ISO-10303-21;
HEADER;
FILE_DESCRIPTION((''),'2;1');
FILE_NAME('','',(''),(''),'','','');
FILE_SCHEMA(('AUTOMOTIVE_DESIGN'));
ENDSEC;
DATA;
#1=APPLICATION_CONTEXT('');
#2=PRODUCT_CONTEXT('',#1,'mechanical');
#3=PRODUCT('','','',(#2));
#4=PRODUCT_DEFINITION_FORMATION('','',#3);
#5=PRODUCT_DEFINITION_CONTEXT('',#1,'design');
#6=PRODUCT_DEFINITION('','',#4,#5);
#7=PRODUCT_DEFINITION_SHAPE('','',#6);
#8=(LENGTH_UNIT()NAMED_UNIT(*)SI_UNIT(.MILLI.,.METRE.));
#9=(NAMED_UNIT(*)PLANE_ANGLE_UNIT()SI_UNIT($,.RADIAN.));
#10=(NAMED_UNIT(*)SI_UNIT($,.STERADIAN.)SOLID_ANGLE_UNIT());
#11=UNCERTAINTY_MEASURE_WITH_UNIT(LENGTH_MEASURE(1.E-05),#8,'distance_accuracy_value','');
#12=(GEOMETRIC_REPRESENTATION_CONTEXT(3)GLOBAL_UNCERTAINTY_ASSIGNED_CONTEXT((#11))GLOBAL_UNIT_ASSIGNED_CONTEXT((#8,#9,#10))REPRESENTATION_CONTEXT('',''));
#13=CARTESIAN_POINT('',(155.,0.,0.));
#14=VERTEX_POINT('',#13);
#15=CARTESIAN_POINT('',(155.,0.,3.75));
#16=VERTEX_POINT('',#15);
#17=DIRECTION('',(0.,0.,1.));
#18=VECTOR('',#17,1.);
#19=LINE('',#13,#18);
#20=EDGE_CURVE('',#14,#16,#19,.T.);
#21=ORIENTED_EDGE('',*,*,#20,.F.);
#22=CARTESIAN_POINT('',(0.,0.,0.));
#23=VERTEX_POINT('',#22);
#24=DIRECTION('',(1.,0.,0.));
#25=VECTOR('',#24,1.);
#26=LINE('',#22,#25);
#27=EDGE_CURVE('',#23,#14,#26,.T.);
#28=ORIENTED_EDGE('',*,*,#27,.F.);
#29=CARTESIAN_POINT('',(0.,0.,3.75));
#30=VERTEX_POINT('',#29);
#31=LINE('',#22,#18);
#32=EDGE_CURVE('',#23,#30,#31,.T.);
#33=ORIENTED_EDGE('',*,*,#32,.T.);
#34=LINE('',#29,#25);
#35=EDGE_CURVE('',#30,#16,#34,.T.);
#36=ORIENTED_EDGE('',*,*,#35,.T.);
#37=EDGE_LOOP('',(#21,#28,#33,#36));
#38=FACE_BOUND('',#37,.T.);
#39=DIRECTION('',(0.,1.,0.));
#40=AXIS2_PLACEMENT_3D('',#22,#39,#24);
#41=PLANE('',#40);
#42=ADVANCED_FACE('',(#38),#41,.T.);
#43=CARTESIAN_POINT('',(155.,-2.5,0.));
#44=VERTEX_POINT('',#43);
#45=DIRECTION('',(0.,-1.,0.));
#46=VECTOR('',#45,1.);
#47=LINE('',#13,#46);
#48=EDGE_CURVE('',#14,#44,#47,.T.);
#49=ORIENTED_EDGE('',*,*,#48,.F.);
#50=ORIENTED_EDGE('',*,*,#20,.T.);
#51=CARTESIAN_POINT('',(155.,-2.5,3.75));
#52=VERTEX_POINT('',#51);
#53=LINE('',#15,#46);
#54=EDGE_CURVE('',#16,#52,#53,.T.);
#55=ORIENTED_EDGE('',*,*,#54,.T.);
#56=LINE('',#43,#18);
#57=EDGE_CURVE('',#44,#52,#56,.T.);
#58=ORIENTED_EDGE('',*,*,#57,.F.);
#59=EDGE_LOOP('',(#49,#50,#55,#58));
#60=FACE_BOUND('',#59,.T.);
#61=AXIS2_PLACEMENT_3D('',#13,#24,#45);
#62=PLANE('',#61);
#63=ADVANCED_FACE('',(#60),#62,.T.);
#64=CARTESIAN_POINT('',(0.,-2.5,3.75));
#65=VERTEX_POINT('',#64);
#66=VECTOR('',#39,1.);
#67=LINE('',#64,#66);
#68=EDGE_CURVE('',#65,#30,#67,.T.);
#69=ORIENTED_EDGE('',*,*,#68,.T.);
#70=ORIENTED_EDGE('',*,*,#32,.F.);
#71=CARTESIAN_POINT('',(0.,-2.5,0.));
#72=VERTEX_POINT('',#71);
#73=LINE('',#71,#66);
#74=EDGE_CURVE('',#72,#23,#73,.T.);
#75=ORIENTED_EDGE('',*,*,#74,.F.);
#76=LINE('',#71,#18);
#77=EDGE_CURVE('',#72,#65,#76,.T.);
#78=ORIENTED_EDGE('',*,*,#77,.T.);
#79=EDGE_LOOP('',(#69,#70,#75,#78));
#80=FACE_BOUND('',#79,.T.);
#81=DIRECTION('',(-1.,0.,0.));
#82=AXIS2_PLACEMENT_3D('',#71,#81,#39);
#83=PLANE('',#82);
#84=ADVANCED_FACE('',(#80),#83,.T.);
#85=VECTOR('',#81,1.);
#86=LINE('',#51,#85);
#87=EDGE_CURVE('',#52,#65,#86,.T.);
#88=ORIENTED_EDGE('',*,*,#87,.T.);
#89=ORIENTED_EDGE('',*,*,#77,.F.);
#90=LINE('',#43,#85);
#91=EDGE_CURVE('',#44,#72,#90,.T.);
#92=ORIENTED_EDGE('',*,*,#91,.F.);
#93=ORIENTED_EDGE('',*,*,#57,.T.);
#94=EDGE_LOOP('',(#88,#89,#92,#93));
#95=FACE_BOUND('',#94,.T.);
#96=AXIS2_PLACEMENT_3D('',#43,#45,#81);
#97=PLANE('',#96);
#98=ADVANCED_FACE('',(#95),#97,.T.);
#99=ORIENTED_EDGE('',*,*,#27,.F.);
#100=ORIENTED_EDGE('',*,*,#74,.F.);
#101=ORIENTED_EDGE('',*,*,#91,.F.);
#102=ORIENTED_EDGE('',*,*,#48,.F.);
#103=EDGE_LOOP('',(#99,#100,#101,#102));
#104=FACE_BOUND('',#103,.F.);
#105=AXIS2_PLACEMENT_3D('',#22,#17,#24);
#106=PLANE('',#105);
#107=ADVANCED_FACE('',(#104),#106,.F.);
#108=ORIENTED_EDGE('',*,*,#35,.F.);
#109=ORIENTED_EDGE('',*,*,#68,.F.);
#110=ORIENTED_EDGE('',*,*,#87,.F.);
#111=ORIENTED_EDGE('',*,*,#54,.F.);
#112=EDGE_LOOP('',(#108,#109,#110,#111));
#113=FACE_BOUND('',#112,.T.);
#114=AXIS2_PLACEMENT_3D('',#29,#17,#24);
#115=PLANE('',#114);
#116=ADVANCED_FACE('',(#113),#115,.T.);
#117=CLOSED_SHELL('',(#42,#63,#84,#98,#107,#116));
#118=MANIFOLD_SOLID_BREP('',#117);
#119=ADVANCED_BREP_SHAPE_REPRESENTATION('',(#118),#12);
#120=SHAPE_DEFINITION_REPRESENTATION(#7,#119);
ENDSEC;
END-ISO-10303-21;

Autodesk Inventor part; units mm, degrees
ref_plane "YZ Plane" through (0, 0, 0) normal (1, 0, 0) x (0, 1, 0)
ref_plane "XZ Plane" through (0, 0, 0) normal (0, 1, 0) x (-1, 0, 0)
ref_plane "XY Plane" through (0, 0, 0) normal (0, 0, 1) x (1, 0, 0)
sketch "Sketch1" plane through (0, 0, 0) normal (0, 0, 1) x (1, 0, 0)
  line L0 (0, 0) -> (155, 0)
  line L1 (155, 0) -> (155, -2.5)
  line L2 (155, -2.5) -> (0, -2.5)
  line L3 (0, -2.5) -> (0, 0)
  dimension "d0" = 2.5
  dimension "d1" = 155
extrude "Extrusion1" add sketch "Sketch1" along normal blind 3.75
properties part number "Rail 3.75x150"
